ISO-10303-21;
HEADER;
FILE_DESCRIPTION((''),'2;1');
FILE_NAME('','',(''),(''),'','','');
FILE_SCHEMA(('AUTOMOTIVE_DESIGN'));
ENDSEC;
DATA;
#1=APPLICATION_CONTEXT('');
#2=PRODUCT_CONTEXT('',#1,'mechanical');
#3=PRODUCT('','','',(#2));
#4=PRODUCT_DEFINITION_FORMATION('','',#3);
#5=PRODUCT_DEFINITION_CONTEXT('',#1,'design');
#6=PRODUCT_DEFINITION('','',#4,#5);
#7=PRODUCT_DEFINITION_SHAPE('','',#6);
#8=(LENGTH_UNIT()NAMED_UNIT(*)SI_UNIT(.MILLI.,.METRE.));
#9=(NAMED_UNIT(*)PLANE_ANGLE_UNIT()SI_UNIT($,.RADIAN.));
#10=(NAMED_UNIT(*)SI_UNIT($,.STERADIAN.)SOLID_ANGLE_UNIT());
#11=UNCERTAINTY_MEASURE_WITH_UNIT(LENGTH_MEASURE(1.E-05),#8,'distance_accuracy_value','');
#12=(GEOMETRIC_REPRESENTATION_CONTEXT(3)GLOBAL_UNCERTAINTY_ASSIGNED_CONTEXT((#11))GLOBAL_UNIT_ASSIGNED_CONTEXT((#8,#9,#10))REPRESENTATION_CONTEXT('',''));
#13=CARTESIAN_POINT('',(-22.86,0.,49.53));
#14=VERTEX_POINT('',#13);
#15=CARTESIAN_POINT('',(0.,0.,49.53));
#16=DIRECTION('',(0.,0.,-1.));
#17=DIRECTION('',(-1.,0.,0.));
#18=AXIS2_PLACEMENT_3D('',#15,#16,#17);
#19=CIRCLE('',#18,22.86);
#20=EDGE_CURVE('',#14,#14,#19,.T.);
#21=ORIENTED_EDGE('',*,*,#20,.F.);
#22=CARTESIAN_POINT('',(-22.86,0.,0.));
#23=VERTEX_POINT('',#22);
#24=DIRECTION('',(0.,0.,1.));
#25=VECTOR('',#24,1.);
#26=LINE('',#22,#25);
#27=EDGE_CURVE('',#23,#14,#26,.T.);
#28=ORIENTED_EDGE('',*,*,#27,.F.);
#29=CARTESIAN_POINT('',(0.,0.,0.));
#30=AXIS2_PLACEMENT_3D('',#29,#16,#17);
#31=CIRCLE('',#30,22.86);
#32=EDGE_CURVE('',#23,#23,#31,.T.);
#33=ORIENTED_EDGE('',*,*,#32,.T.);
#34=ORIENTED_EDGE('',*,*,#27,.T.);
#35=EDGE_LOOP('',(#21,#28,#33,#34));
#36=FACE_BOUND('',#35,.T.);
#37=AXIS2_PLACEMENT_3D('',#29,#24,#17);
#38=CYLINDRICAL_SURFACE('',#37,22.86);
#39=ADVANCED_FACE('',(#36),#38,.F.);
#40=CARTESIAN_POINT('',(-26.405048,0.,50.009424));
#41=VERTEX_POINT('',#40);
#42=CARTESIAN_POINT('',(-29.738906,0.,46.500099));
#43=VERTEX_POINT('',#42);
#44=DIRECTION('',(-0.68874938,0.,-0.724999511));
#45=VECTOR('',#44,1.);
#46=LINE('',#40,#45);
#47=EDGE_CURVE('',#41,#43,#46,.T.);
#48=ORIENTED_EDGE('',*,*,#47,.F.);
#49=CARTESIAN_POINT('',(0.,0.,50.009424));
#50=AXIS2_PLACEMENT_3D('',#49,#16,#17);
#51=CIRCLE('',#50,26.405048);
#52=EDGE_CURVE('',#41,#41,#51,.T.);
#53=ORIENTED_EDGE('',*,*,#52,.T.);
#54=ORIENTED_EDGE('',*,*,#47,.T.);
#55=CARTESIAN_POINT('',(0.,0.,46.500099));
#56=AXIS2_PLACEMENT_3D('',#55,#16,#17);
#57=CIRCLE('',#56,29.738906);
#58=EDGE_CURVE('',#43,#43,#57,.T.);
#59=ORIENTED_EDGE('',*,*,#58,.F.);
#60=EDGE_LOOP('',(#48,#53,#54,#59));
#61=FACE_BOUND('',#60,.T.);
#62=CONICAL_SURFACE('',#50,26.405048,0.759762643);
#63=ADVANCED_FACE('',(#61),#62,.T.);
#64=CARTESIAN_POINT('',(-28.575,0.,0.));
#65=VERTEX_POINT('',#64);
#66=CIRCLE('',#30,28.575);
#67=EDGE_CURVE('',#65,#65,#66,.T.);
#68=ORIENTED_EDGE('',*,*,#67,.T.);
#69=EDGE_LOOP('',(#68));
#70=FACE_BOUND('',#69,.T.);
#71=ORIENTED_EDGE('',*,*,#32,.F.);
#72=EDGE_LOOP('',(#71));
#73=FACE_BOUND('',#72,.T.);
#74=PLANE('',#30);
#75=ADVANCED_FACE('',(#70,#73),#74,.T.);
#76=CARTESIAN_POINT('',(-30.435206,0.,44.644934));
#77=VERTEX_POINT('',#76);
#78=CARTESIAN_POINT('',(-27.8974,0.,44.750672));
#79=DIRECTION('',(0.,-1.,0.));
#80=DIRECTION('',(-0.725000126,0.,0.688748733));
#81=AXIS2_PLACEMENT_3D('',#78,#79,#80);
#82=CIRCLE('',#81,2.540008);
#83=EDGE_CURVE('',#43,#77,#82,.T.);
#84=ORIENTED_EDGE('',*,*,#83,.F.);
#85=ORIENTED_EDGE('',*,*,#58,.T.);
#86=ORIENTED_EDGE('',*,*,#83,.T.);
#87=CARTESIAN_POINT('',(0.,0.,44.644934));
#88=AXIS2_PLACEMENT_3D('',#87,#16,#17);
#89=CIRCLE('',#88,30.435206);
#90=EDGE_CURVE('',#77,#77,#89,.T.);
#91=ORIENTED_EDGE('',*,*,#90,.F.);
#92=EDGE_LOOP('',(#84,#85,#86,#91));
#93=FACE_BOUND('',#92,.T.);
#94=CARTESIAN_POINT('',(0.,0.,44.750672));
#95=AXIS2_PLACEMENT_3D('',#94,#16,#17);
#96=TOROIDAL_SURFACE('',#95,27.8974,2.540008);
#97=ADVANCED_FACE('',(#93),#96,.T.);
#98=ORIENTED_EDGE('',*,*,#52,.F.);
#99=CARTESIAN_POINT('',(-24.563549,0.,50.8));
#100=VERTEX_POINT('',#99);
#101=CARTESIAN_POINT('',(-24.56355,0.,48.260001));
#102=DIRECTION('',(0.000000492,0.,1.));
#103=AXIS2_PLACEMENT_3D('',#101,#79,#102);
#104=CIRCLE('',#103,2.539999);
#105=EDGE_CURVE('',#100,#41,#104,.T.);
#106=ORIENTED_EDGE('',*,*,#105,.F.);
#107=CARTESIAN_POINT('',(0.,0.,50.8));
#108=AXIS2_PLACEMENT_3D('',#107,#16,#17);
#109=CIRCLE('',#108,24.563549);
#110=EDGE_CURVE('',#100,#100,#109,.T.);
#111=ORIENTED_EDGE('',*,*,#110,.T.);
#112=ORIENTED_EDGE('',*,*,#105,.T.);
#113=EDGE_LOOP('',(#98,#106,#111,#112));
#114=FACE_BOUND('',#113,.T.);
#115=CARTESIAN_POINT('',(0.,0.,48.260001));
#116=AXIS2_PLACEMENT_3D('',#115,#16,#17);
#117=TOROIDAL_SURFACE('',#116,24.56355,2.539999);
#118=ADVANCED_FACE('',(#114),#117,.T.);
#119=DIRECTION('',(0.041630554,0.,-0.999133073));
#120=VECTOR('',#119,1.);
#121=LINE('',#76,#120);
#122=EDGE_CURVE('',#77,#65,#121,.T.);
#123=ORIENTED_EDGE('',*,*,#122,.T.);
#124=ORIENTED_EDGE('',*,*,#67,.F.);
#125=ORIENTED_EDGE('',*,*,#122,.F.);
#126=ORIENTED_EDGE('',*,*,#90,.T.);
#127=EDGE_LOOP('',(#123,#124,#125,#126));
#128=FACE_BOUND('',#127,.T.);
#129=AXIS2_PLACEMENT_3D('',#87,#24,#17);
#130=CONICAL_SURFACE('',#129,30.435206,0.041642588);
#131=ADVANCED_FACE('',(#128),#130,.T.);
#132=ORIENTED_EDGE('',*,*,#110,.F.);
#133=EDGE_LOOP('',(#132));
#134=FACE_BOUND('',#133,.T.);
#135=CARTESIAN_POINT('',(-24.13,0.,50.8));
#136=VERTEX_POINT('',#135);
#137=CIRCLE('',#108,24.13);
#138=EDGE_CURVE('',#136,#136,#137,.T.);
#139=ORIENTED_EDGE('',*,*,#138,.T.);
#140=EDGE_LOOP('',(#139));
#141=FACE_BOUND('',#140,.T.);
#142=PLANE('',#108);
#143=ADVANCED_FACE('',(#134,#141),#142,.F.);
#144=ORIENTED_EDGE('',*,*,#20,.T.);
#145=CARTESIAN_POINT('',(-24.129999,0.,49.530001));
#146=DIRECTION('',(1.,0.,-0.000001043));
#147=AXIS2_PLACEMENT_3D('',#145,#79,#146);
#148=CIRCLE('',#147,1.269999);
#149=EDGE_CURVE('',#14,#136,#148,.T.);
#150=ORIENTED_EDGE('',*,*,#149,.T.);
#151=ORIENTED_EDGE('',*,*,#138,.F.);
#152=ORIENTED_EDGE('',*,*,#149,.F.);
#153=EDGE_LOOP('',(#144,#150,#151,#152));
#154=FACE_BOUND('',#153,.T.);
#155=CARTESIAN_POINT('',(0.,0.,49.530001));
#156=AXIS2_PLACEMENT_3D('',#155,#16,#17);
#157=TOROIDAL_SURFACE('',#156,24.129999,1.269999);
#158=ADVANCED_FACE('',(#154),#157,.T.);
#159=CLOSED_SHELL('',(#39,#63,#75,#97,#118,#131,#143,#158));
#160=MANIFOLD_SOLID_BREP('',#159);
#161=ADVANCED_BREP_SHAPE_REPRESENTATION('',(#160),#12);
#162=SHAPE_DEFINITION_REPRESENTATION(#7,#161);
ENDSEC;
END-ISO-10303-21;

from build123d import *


with BuildPart() as f1:
    # F0 (on Front) → F1 (revolve)
    with BuildSketch(Plane.XZ):
        with BuildLine():
            Line((-30.435206, 44.644934), (-28.575, 0))
            Line((-28.575, 0), (-22.86, 0))
            Line((-22.86, 0), (-22.86, 12.7))
            Line((-22.86, 12.7), (-22.86, 49.53))
            ThreePointArc((-22.86, 49.53), (-23.231974, 50.428026), (-24.13, 50.8))
            Line((-24.13, 50.8), (-24.563549, 50.8))
            ThreePointArc((-24.563549, 50.8), (-25.565563, 50.594003), (-26.405048, 50.009424))
            Line((-26.405048, 50.009424), (-29.738906, 46.500099))
            ThreePointArc((-29.738906, 46.500099), (-30.275425, 45.643217), (-30.435206, 44.644934))
        make_face()
    revolve(axis=Axis((0, 0, 25.4), (0, 0, -1)))


solid = f1.part
